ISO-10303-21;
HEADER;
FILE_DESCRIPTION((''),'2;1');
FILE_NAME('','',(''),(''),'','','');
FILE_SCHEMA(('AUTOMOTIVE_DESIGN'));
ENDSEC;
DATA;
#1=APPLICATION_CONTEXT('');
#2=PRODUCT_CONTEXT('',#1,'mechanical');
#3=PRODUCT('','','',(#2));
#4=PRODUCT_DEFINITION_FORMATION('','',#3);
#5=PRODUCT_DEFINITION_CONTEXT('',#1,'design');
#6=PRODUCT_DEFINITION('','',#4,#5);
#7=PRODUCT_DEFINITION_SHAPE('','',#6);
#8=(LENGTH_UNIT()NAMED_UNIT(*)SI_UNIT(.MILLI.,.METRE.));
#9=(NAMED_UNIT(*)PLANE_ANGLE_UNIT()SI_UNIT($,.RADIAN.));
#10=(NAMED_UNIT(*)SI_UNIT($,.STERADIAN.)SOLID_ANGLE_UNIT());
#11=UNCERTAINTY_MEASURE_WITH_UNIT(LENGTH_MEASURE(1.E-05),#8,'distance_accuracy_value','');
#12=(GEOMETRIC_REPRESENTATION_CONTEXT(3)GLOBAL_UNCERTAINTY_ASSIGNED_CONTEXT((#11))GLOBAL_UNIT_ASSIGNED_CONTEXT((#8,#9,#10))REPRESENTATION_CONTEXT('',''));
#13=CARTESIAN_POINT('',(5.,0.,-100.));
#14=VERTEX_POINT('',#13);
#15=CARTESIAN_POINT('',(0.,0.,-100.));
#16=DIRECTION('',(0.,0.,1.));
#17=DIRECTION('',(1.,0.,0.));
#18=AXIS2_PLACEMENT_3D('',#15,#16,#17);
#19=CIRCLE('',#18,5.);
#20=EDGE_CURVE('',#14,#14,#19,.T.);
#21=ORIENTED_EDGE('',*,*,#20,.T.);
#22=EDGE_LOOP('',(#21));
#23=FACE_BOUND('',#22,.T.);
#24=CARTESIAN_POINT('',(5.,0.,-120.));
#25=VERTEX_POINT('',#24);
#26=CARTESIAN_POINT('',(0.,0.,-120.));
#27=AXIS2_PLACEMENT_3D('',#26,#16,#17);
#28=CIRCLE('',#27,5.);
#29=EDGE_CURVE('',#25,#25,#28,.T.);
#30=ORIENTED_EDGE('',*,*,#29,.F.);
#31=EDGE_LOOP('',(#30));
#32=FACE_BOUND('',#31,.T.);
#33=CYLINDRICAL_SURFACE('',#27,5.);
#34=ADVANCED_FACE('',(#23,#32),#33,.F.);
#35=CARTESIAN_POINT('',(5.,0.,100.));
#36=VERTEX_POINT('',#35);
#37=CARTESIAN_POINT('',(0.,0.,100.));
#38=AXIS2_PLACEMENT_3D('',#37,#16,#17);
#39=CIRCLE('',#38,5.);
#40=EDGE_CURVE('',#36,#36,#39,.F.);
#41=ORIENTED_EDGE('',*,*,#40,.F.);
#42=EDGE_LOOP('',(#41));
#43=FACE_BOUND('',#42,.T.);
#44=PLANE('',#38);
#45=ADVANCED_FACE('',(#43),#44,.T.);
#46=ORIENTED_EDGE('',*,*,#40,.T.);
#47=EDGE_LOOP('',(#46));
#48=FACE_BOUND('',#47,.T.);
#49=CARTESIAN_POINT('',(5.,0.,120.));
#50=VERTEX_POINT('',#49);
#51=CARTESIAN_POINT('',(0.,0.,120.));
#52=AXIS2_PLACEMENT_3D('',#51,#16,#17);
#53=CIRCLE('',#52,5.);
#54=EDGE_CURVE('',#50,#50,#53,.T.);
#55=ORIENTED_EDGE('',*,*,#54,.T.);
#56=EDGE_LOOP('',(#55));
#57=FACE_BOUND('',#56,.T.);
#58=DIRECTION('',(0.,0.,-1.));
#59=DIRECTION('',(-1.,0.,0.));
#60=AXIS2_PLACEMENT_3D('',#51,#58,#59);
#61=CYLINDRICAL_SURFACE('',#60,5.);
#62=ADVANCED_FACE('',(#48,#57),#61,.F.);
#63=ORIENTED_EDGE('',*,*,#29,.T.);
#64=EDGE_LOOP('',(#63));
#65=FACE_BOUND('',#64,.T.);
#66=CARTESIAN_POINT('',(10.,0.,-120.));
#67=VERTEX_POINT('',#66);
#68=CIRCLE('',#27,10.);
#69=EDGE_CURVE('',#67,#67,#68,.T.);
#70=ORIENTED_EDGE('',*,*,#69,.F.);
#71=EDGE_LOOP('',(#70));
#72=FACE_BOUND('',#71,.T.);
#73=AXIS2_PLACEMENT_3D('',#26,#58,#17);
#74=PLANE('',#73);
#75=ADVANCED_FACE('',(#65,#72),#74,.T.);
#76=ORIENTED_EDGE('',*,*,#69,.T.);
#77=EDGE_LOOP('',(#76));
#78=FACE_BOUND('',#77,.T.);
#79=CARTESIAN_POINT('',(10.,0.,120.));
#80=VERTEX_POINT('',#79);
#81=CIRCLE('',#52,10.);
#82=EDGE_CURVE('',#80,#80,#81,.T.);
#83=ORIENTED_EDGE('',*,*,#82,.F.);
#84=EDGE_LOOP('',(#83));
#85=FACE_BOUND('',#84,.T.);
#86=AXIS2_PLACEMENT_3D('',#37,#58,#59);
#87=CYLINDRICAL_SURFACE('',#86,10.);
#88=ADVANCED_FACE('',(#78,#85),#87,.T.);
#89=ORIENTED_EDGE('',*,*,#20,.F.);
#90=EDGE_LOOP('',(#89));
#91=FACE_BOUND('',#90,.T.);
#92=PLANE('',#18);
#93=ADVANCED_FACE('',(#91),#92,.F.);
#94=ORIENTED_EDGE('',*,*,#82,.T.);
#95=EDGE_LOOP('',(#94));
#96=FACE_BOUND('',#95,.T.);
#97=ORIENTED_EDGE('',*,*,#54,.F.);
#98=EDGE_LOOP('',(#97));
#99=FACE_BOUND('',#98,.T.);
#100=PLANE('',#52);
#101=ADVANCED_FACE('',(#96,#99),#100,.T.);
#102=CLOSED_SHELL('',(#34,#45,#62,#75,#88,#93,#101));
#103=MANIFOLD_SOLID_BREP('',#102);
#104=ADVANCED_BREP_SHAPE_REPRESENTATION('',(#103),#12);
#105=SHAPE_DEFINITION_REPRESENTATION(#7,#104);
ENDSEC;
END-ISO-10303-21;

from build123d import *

# Parameters (mm, degrees)
SKETCH1_R           = 10
BOSS_EXTRUDE1_DEPTH = 100
BOSS_EXTRUDE2_START = 20
SKETCH3_R           = 10
SKETCH3_R_2         = 5
BOSS_EXTRUDE2_DEPTH = 20


with BuildPart() as part:
    # Sketch1 → Boss-Extrude1 (new, symmetric)
    with BuildSketch(Plane.XY):
        Circle(SKETCH1_R)
    extrude(amount=BOSS_EXTRUDE1_DEPTH, both=True)

    # Sketch3 → Boss-Extrude2 (add)
    with BuildSketch(Plane.XY.offset(100).offset(BOSS_EXTRUDE2_START)):
        Circle(SKETCH3_R)
        Circle(SKETCH3_R_2, mode=Mode.SUBTRACT)
    boss_extrude2 = extrude(amount=-BOSS_EXTRUDE2_DEPTH)

    # Mirror1: Boss-Extrude2 across plane
    add(boss_extrude2.mirror(Plane.XY))


solid = part.part
